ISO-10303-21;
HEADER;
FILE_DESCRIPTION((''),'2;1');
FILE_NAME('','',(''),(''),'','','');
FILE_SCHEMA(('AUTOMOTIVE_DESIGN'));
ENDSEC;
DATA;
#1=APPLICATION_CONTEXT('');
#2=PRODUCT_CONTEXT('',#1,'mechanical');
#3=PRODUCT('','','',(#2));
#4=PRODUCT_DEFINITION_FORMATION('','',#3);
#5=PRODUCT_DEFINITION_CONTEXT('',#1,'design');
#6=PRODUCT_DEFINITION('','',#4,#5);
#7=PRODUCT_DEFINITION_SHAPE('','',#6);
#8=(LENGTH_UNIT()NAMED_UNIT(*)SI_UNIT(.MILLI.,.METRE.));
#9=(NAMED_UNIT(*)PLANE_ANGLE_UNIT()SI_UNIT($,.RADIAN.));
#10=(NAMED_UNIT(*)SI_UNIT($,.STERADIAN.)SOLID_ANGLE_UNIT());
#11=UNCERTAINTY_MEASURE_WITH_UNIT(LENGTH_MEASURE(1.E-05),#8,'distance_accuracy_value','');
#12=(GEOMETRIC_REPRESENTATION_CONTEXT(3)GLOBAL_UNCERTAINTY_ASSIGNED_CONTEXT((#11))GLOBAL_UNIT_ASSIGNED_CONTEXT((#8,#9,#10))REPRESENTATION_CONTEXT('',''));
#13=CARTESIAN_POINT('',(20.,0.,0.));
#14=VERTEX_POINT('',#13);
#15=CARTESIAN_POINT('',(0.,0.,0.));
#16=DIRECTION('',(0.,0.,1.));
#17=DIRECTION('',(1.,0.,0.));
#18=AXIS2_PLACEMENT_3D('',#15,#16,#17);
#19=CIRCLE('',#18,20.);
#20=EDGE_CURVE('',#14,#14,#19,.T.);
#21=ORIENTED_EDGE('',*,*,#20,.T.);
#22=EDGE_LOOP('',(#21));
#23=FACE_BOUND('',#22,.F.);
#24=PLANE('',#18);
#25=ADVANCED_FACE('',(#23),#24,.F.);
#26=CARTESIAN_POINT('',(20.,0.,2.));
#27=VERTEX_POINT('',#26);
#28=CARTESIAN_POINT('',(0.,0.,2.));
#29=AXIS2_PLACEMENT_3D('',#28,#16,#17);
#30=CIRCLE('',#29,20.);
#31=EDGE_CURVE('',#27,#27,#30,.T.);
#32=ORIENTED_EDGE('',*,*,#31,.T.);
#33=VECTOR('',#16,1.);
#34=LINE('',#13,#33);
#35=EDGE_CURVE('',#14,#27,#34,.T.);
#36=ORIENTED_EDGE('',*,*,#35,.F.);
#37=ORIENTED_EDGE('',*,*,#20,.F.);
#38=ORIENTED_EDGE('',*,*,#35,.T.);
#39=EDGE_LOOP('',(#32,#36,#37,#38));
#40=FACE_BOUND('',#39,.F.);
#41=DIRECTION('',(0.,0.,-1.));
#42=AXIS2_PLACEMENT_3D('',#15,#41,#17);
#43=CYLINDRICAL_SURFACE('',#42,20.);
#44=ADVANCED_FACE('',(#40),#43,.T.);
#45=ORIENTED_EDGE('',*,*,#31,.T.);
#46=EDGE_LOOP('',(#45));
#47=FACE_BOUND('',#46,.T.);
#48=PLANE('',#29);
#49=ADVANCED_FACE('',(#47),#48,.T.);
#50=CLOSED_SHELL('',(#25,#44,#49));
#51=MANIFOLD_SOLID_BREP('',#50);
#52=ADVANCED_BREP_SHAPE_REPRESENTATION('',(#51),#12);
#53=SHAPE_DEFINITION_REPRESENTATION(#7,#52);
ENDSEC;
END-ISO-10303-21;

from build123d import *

# Parameters (mm, degrees)
CYLINDER_R     = 20
CYLINDER_DEPTH = 2


with BuildPart() as part:
    # Cylinder → Cylinder (new body)
    with BuildSketch(Plane.XY):
        Circle(CYLINDER_R)
    extrude(amount=CYLINDER_DEPTH)


solid = part.part
